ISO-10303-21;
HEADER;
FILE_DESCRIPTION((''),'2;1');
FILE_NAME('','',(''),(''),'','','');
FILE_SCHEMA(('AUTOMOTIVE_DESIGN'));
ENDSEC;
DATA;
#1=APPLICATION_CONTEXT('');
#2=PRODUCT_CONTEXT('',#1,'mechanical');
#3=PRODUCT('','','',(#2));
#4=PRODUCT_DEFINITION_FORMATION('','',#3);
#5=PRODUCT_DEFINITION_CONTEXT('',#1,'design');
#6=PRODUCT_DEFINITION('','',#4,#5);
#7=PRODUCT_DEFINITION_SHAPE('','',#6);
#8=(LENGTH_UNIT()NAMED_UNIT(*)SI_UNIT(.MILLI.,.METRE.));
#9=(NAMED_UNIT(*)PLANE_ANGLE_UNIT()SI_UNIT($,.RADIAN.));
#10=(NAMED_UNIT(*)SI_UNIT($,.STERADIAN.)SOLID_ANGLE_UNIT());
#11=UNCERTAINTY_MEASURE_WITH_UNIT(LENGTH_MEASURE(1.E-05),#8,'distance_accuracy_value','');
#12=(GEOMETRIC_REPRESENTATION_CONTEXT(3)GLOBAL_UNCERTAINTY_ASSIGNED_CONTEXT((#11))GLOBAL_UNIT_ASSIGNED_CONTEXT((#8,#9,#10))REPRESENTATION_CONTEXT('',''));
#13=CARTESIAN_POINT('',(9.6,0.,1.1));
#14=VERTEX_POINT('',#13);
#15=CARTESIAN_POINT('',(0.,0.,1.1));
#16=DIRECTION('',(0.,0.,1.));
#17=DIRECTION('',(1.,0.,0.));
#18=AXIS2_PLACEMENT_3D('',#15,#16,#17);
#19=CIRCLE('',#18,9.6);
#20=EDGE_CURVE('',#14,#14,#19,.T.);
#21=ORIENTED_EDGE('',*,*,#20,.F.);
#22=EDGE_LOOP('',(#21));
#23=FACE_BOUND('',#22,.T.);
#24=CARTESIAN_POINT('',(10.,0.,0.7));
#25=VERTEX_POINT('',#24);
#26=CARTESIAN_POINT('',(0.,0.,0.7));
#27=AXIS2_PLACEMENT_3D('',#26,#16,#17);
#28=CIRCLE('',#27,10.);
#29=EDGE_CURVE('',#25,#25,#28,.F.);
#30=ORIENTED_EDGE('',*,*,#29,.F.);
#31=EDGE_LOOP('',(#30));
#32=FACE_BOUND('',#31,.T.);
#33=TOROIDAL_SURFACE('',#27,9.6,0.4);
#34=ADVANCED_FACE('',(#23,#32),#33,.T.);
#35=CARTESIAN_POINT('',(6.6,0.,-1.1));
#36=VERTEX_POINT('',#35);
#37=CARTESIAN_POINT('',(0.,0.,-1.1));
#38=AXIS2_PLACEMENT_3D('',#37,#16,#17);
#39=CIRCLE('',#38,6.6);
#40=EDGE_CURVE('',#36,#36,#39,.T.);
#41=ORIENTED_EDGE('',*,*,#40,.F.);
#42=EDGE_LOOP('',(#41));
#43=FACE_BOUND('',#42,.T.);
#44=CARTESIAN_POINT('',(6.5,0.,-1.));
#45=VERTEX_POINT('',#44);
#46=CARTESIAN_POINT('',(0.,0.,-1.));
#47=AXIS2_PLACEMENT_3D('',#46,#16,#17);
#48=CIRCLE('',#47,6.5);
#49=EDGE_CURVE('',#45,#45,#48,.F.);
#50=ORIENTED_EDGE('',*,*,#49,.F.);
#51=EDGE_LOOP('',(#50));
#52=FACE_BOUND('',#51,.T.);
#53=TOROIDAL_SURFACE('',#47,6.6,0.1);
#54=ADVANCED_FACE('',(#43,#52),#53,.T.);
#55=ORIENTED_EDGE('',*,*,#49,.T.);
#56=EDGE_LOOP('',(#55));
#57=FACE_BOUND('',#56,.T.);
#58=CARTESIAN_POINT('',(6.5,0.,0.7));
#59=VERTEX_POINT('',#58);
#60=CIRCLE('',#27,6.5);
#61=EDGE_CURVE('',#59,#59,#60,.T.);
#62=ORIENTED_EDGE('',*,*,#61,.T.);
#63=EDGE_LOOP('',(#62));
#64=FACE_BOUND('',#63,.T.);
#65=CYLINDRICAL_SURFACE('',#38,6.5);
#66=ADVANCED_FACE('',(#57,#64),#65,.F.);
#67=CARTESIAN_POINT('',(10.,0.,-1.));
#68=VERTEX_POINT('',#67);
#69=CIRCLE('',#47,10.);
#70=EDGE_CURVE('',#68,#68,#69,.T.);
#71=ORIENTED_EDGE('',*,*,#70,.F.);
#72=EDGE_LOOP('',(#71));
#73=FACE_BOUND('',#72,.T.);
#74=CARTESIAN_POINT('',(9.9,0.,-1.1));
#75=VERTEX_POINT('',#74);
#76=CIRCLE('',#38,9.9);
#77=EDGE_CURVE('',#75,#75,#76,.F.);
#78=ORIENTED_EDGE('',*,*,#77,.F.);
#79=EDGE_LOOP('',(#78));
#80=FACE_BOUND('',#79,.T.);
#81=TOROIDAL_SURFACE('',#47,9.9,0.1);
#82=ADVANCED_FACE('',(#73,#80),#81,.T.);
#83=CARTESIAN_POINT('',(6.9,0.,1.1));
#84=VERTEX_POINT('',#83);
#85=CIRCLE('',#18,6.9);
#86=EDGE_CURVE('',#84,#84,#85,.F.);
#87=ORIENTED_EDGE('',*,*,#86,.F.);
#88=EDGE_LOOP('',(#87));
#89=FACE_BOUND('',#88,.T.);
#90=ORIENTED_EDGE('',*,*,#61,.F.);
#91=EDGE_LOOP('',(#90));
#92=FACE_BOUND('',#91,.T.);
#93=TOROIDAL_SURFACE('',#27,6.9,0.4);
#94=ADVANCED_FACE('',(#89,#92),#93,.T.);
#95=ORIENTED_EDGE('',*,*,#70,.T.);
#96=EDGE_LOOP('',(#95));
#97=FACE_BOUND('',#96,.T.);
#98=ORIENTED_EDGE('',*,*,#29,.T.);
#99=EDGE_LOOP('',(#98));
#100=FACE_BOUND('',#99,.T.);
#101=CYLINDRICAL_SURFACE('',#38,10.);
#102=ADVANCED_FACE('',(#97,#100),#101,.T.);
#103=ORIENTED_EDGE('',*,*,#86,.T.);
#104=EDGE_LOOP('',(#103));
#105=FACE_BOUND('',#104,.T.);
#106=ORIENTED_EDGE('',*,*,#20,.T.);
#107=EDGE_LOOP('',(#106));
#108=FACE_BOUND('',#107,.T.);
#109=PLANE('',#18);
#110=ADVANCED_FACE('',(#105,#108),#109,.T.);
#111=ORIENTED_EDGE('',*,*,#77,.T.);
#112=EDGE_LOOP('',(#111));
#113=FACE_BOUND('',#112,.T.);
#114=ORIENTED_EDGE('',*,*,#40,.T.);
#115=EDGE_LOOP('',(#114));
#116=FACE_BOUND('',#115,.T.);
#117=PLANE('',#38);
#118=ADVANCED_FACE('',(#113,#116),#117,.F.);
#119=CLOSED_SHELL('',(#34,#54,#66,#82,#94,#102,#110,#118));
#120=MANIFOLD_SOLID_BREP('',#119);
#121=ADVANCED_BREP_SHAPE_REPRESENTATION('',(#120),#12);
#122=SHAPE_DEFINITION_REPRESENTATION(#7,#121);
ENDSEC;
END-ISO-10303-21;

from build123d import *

# Parameters (mm, degrees)
SKETCH3_R                = 10
SKETCH3_R_2              = 6.5
BOSS_EXTRUDE1_DEPTH      = 1.1
BOSS_EXTRUDE1_DEPTH_BACK = 1.1
FILLET1_R                = 0.4
FILLET2_R                = 0.1


with BuildPart() as part:
    # Sketch3 → Boss-Extrude1 (new body, two sides)
    with BuildSketch(Plane.XY) as boss_extrude1_sk:
        Circle(SKETCH3_R)
        Circle(SKETCH3_R_2, mode=Mode.SUBTRACT)
    extrude(amount=BOSS_EXTRUDE1_DEPTH)
    extrude(boss_extrude1_sk.sketch, amount=-BOSS_EXTRUDE1_DEPTH_BACK)

    # Fillet1
    fillet1_edges = [part.edges().sort_by_distance(p)[0] for p in [
        (-10, 0, 1.1),
        (-6.5, 0, 1.1),
    ]]
    fillet(fillet1_edges, radius=FILLET1_R)

    # Fillet2
    fillet2_edges = [part.edges().sort_by_distance(p)[0] for p in [
        (-10, 0, -1.1),
        (-6.5, 0, -1.1),
    ]]
    fillet(fillet2_edges, radius=FILLET2_R)


solid = part.part
